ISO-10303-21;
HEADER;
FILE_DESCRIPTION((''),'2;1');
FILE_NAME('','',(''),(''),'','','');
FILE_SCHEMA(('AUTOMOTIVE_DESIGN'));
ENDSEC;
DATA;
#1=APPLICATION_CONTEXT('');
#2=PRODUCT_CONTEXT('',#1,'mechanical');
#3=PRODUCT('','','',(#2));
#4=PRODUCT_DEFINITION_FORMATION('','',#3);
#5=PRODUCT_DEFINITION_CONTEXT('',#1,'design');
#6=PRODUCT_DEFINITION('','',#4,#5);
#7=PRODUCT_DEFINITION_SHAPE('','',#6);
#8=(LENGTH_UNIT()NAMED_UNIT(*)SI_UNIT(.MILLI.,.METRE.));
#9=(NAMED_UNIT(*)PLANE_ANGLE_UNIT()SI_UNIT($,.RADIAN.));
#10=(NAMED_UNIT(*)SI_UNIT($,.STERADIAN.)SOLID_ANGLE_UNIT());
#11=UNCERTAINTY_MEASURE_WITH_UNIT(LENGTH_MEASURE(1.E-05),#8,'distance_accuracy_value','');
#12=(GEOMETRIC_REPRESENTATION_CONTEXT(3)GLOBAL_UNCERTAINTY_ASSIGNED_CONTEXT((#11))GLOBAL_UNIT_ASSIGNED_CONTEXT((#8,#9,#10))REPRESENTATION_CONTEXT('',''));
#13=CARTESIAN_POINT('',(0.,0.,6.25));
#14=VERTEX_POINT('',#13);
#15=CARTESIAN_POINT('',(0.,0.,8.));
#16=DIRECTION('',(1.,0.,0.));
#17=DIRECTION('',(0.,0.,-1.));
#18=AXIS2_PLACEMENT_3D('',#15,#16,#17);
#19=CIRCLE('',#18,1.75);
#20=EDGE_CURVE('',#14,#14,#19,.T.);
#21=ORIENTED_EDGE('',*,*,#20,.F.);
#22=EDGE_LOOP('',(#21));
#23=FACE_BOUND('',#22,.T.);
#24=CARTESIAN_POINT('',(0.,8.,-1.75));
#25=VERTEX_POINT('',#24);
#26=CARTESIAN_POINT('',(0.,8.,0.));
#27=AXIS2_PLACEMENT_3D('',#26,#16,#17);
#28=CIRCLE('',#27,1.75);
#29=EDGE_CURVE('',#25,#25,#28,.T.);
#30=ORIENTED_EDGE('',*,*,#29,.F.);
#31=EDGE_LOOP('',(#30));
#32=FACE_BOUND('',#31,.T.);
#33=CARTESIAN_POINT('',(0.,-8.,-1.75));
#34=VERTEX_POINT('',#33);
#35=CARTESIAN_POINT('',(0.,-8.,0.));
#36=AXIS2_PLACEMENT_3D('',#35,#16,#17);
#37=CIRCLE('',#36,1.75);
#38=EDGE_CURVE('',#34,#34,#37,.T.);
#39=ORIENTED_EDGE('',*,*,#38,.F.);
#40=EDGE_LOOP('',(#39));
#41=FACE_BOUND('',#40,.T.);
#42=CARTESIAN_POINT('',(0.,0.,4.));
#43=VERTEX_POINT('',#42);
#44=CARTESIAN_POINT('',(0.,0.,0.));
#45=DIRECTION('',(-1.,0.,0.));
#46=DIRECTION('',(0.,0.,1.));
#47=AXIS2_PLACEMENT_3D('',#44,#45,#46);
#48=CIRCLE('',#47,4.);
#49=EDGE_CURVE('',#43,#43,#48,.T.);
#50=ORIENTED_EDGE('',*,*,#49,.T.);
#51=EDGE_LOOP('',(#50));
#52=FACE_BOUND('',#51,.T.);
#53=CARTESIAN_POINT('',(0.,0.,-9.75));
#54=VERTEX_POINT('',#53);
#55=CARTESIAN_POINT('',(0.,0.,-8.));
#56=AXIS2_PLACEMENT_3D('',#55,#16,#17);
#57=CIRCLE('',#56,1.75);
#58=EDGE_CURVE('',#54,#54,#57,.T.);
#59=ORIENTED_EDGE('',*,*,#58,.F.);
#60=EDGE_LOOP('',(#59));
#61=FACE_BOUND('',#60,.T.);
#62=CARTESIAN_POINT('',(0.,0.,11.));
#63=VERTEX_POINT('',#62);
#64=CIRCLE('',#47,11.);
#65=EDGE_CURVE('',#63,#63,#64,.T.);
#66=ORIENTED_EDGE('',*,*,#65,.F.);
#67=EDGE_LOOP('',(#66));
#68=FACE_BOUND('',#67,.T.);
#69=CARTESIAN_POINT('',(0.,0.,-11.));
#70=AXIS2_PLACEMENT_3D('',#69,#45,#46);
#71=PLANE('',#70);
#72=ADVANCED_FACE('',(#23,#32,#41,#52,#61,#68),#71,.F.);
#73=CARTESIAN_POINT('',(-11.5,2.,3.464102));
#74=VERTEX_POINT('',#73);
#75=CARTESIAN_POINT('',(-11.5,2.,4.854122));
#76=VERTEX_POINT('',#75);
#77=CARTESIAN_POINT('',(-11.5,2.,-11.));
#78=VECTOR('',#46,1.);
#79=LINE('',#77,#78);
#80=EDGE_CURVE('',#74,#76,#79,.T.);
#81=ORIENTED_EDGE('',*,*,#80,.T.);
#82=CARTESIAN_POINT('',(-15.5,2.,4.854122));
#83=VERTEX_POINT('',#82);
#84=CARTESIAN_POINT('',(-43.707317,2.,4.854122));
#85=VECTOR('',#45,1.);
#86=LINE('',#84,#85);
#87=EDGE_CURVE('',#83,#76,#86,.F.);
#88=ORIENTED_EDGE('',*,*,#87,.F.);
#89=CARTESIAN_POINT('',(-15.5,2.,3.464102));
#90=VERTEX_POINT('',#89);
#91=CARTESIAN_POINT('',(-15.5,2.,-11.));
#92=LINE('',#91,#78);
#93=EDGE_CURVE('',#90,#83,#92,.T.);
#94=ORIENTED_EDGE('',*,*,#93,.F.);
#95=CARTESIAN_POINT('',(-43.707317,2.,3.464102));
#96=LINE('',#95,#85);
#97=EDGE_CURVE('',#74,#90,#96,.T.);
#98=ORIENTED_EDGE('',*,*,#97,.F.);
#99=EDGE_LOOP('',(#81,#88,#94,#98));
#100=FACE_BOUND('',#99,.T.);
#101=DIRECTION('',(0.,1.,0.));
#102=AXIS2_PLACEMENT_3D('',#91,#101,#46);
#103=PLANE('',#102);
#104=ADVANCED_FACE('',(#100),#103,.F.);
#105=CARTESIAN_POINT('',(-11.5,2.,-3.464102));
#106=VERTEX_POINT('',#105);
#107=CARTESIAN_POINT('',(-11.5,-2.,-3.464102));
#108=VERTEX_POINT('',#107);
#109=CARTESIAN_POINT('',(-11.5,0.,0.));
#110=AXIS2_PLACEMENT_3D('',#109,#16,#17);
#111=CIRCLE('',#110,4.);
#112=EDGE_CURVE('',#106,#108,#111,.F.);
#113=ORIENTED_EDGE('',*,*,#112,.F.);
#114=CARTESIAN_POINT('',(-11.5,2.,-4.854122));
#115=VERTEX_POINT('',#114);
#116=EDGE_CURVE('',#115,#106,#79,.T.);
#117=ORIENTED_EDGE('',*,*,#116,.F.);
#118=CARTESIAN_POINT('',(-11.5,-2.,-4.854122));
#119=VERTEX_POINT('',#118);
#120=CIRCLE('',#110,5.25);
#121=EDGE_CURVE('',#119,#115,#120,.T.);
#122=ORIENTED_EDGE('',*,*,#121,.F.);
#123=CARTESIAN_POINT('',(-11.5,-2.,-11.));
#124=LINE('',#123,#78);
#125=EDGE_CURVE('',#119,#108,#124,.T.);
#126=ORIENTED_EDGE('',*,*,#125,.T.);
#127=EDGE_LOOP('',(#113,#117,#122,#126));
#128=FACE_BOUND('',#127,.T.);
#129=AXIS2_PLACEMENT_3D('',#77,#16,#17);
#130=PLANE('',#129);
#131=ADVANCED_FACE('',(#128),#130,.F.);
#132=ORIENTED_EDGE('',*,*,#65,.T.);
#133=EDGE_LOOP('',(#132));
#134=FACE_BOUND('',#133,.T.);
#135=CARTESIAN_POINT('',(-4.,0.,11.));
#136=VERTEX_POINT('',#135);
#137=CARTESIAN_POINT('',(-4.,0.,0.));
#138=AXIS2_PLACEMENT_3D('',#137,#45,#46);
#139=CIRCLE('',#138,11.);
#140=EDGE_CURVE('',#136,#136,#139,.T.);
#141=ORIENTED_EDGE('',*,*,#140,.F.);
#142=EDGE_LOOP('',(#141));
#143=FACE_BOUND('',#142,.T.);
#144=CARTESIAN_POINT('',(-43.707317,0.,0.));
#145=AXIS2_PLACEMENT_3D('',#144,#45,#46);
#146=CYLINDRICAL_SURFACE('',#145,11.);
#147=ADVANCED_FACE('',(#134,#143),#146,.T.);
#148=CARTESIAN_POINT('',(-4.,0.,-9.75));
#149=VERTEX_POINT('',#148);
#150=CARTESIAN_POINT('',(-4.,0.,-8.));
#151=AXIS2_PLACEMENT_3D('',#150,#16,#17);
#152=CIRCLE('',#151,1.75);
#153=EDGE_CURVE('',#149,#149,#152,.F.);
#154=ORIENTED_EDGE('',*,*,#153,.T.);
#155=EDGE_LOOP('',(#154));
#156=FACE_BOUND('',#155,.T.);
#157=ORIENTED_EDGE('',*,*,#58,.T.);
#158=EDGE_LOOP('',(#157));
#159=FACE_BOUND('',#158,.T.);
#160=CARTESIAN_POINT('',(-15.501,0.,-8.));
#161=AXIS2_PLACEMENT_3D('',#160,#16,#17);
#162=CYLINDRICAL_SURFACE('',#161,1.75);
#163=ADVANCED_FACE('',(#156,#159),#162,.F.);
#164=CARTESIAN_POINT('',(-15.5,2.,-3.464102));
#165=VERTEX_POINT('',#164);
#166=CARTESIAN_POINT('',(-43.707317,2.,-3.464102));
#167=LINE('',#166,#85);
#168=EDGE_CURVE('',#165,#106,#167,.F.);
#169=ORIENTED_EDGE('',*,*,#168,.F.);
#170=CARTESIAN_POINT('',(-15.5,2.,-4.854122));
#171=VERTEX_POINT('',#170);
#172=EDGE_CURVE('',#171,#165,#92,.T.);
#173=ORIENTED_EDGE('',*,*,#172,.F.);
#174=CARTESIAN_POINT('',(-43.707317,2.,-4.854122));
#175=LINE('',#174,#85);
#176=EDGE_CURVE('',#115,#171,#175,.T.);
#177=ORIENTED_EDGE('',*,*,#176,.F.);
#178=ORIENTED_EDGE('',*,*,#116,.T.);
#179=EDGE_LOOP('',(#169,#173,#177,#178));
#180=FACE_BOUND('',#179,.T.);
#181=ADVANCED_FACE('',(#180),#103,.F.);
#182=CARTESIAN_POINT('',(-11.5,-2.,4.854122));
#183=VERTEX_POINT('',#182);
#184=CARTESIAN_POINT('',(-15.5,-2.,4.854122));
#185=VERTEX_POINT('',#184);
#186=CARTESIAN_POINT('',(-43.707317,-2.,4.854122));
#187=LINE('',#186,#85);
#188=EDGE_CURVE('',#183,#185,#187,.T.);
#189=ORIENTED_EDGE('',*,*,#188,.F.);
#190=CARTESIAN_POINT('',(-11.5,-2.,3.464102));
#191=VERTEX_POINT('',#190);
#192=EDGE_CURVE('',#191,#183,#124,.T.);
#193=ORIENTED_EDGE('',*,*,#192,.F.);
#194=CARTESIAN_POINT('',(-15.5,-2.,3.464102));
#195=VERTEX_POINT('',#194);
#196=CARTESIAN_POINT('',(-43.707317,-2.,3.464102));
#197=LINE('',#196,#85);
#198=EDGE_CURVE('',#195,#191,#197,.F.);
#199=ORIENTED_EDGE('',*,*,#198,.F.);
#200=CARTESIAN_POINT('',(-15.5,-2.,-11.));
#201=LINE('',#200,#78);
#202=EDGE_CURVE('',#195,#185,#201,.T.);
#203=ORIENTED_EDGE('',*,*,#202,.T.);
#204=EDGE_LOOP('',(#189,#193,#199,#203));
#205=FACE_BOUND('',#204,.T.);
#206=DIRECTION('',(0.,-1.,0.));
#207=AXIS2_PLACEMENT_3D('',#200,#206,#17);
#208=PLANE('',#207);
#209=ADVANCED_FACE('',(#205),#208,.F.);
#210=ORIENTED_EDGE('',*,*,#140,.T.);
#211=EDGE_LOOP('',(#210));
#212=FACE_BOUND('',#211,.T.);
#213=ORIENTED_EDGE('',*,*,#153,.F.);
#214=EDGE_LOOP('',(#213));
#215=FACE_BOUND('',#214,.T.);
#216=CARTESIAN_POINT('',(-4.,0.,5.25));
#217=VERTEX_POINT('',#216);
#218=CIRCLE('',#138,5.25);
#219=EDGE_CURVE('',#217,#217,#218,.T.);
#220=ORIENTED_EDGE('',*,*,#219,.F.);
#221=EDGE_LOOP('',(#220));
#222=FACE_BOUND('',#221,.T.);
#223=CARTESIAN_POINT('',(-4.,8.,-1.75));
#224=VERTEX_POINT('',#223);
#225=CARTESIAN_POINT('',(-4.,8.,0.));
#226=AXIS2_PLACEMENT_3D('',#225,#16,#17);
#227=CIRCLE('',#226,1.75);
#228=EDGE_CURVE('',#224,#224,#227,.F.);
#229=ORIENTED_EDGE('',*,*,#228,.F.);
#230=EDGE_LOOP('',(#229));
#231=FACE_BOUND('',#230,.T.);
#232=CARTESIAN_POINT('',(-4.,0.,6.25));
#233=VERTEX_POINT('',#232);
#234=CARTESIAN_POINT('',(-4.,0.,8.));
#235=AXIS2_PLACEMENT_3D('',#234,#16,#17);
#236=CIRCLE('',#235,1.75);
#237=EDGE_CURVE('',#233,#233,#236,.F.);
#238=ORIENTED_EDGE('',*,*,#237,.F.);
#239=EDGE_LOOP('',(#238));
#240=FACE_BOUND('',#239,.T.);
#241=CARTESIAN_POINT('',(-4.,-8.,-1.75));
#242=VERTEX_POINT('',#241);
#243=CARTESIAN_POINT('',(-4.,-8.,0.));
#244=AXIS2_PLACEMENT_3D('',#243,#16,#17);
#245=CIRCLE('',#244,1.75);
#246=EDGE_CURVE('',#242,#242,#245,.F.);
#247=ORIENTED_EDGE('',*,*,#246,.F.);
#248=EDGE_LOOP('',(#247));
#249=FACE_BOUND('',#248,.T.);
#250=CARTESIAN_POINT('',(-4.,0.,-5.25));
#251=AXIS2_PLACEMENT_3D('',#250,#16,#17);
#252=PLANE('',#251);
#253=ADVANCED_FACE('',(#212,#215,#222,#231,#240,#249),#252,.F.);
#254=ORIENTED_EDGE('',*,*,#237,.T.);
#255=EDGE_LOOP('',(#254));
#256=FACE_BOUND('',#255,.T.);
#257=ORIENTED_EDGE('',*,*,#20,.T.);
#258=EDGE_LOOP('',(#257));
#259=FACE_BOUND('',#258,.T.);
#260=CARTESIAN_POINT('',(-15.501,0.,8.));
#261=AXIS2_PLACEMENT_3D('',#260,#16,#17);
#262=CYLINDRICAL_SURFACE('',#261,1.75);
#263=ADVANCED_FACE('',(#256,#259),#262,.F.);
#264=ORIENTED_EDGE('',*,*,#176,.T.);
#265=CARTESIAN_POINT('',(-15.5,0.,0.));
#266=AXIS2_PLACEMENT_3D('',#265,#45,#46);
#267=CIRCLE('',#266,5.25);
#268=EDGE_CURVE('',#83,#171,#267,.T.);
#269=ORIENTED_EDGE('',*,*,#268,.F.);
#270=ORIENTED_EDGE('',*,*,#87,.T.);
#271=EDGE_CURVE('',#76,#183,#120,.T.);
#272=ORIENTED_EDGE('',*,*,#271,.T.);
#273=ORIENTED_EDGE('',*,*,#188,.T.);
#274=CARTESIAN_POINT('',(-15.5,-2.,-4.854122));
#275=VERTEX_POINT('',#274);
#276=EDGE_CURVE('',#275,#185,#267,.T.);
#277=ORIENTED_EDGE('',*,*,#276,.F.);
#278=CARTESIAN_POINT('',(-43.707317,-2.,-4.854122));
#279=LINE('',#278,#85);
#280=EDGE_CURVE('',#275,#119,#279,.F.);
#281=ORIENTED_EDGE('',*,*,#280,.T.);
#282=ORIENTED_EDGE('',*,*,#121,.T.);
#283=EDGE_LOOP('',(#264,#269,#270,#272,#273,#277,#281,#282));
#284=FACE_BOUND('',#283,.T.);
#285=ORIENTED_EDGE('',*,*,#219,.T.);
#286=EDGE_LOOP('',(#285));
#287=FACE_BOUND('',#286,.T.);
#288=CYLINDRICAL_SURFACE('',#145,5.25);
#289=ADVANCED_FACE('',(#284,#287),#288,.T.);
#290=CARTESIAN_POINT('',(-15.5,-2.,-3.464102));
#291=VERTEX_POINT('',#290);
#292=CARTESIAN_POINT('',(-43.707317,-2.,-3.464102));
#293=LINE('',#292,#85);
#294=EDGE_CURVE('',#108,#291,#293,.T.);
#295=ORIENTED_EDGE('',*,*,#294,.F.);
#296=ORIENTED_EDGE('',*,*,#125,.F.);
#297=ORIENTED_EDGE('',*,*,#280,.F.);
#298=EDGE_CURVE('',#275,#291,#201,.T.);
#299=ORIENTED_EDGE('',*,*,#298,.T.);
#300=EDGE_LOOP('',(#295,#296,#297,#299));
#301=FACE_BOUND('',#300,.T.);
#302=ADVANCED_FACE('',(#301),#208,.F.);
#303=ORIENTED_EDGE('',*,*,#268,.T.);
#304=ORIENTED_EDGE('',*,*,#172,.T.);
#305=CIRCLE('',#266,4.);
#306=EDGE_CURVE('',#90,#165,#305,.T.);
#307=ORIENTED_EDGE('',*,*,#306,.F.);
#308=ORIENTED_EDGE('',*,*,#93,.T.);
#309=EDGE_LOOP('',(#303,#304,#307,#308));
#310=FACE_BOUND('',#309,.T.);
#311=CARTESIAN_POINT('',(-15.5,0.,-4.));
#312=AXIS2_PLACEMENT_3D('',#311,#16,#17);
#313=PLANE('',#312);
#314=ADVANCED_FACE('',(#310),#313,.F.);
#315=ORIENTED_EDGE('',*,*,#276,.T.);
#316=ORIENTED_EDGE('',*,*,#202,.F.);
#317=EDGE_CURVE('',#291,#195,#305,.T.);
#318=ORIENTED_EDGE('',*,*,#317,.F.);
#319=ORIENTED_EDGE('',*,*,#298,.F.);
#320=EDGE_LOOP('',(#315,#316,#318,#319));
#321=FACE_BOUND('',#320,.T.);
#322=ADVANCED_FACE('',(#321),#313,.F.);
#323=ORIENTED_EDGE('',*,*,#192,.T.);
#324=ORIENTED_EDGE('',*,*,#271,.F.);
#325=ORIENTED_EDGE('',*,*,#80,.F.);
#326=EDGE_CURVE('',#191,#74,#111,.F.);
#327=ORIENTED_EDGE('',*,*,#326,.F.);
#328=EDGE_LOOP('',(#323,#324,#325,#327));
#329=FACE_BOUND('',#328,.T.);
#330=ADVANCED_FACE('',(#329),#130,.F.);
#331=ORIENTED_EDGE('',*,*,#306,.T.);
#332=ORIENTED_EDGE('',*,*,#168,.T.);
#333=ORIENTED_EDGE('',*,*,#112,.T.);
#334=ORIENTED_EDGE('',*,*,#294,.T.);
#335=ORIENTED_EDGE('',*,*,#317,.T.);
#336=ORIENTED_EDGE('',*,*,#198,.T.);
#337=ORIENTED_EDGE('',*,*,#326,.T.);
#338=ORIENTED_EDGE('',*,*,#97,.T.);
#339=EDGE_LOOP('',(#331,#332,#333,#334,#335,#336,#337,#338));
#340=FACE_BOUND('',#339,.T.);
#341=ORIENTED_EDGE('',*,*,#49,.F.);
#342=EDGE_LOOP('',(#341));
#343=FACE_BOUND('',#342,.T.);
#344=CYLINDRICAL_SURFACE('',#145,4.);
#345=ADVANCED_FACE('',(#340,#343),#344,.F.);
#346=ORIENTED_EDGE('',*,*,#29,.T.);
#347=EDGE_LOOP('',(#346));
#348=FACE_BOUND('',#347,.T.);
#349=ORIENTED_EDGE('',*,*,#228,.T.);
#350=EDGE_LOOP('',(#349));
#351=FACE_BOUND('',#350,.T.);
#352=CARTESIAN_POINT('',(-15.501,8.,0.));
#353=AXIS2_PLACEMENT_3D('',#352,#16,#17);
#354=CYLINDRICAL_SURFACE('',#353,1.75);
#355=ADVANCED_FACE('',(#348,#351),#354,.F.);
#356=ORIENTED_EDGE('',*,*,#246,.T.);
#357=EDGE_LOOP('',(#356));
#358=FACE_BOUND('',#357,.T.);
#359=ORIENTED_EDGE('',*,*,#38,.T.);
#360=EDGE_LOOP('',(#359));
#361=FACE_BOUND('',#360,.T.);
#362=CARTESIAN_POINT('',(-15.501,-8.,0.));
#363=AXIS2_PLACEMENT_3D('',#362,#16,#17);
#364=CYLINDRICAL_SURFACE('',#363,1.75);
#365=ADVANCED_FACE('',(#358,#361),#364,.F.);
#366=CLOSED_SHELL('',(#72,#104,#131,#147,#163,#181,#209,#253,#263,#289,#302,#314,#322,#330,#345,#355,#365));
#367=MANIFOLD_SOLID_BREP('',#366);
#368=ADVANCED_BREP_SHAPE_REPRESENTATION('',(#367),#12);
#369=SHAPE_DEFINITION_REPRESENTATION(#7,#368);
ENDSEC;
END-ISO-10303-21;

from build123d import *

# Parameters (mm, degrees)
CUT_EXTRUDE1_REACH      = 17.5
SKETCH2_R               = 1.75
SKETCH3_W               = 4
SKETCH3_H               = 4
CUT_EXTRUDE2_DEPTH      = 12
CUT_EXTRUDE2_DEPTH_BACK = 12


with BuildPart() as part:
    # Sketch1 → Revolve1 (revolve)
    with BuildSketch(Plane(origin=(0, 0, 0), x_dir=(1, 0, 0), z_dir=(0, 1, 0))):
        Polygon((-15.5, 4), (-15.5, 5.25), (-4, 5.25), (-4, 11), (0, 11), (0, 4), align=None)
    revolve(axis=Axis((-43.707317073, 0, 0), (1, 0, 0)))

    # Sketch2 → Cut-Extrude1 (cut, up to next)
    with BuildSketch(Plane(origin=(0, 0, 0), x_dir=(0, 0, -1), z_dir=(1, 0, 0)), mode=Mode.PRIVATE) as cut_extrude1_sk1:
        with Locations((0, 8)):
            Circle(SKETCH2_R)
    cut_extrude1_tool1 = extrude(cut_extrude1_sk1.sketch, amount=-CUT_EXTRUDE1_REACH, mode=Mode.PRIVATE) & part.part
    add(cut_extrude1_tool1.solids().sort_by_distance((0, 8, 0))[0], mode=Mode.SUBTRACT)
    # Sketch2 → Cut-Extrude1 (cut, up to next)
    with BuildSketch(Plane(origin=(0, 0, 0), x_dir=(0, 0, -1), z_dir=(1, 0, 0)), mode=Mode.PRIVATE) as cut_extrude1_sk2:
        with Locations((8, 0)):
            Circle(SKETCH2_R)
    cut_extrude1_tool2 = extrude(cut_extrude1_sk2.sketch, amount=-CUT_EXTRUDE1_REACH, mode=Mode.PRIVATE) & part.part
    add(cut_extrude1_tool2.solids().sort_by_distance((0, 0, -8))[0], mode=Mode.SUBTRACT)
    # Sketch2 → Cut-Extrude1 (cut, up to next)
    with BuildSketch(Plane(origin=(0, 0, 0), x_dir=(0, 0, -1), z_dir=(1, 0, 0)), mode=Mode.PRIVATE) as cut_extrude1_sk3:
        with Locations((0, -8)):
            Circle(SKETCH2_R)
    cut_extrude1_tool3 = extrude(cut_extrude1_sk3.sketch, amount=-CUT_EXTRUDE1_REACH, mode=Mode.PRIVATE) & part.part
    add(cut_extrude1_tool3.solids().sort_by_distance((0, -8, 0))[0], mode=Mode.SUBTRACT)
    # Sketch2 → Cut-Extrude1 (cut, up to next)
    with BuildSketch(Plane(origin=(0, 0, 0), x_dir=(0, 0, -1), z_dir=(1, 0, 0)), mode=Mode.PRIVATE) as cut_extrude1_sk4:
        with Locations((-8, 0)):
            Circle(SKETCH2_R)
    cut_extrude1_tool4 = extrude(cut_extrude1_sk4.sketch, amount=-CUT_EXTRUDE1_REACH, mode=Mode.PRIVATE) & part.part
    add(cut_extrude1_tool4.solids().sort_by_distance((0, 0, 8))[0], mode=Mode.SUBTRACT)

    # Sketch3 → Cut-Extrude2 (cut, two sides)
    with BuildSketch(Plane.XY) as cut_extrude2_sk:
        with Locations((-13.5, 0)):
            Rectangle(SKETCH3_W, SKETCH3_H)
    extrude(amount=CUT_EXTRUDE2_DEPTH, mode=Mode.SUBTRACT)
    extrude(cut_extrude2_sk.sketch, amount=-CUT_EXTRUDE2_DEPTH_BACK, mode=Mode.SUBTRACT)


solid = part.part
